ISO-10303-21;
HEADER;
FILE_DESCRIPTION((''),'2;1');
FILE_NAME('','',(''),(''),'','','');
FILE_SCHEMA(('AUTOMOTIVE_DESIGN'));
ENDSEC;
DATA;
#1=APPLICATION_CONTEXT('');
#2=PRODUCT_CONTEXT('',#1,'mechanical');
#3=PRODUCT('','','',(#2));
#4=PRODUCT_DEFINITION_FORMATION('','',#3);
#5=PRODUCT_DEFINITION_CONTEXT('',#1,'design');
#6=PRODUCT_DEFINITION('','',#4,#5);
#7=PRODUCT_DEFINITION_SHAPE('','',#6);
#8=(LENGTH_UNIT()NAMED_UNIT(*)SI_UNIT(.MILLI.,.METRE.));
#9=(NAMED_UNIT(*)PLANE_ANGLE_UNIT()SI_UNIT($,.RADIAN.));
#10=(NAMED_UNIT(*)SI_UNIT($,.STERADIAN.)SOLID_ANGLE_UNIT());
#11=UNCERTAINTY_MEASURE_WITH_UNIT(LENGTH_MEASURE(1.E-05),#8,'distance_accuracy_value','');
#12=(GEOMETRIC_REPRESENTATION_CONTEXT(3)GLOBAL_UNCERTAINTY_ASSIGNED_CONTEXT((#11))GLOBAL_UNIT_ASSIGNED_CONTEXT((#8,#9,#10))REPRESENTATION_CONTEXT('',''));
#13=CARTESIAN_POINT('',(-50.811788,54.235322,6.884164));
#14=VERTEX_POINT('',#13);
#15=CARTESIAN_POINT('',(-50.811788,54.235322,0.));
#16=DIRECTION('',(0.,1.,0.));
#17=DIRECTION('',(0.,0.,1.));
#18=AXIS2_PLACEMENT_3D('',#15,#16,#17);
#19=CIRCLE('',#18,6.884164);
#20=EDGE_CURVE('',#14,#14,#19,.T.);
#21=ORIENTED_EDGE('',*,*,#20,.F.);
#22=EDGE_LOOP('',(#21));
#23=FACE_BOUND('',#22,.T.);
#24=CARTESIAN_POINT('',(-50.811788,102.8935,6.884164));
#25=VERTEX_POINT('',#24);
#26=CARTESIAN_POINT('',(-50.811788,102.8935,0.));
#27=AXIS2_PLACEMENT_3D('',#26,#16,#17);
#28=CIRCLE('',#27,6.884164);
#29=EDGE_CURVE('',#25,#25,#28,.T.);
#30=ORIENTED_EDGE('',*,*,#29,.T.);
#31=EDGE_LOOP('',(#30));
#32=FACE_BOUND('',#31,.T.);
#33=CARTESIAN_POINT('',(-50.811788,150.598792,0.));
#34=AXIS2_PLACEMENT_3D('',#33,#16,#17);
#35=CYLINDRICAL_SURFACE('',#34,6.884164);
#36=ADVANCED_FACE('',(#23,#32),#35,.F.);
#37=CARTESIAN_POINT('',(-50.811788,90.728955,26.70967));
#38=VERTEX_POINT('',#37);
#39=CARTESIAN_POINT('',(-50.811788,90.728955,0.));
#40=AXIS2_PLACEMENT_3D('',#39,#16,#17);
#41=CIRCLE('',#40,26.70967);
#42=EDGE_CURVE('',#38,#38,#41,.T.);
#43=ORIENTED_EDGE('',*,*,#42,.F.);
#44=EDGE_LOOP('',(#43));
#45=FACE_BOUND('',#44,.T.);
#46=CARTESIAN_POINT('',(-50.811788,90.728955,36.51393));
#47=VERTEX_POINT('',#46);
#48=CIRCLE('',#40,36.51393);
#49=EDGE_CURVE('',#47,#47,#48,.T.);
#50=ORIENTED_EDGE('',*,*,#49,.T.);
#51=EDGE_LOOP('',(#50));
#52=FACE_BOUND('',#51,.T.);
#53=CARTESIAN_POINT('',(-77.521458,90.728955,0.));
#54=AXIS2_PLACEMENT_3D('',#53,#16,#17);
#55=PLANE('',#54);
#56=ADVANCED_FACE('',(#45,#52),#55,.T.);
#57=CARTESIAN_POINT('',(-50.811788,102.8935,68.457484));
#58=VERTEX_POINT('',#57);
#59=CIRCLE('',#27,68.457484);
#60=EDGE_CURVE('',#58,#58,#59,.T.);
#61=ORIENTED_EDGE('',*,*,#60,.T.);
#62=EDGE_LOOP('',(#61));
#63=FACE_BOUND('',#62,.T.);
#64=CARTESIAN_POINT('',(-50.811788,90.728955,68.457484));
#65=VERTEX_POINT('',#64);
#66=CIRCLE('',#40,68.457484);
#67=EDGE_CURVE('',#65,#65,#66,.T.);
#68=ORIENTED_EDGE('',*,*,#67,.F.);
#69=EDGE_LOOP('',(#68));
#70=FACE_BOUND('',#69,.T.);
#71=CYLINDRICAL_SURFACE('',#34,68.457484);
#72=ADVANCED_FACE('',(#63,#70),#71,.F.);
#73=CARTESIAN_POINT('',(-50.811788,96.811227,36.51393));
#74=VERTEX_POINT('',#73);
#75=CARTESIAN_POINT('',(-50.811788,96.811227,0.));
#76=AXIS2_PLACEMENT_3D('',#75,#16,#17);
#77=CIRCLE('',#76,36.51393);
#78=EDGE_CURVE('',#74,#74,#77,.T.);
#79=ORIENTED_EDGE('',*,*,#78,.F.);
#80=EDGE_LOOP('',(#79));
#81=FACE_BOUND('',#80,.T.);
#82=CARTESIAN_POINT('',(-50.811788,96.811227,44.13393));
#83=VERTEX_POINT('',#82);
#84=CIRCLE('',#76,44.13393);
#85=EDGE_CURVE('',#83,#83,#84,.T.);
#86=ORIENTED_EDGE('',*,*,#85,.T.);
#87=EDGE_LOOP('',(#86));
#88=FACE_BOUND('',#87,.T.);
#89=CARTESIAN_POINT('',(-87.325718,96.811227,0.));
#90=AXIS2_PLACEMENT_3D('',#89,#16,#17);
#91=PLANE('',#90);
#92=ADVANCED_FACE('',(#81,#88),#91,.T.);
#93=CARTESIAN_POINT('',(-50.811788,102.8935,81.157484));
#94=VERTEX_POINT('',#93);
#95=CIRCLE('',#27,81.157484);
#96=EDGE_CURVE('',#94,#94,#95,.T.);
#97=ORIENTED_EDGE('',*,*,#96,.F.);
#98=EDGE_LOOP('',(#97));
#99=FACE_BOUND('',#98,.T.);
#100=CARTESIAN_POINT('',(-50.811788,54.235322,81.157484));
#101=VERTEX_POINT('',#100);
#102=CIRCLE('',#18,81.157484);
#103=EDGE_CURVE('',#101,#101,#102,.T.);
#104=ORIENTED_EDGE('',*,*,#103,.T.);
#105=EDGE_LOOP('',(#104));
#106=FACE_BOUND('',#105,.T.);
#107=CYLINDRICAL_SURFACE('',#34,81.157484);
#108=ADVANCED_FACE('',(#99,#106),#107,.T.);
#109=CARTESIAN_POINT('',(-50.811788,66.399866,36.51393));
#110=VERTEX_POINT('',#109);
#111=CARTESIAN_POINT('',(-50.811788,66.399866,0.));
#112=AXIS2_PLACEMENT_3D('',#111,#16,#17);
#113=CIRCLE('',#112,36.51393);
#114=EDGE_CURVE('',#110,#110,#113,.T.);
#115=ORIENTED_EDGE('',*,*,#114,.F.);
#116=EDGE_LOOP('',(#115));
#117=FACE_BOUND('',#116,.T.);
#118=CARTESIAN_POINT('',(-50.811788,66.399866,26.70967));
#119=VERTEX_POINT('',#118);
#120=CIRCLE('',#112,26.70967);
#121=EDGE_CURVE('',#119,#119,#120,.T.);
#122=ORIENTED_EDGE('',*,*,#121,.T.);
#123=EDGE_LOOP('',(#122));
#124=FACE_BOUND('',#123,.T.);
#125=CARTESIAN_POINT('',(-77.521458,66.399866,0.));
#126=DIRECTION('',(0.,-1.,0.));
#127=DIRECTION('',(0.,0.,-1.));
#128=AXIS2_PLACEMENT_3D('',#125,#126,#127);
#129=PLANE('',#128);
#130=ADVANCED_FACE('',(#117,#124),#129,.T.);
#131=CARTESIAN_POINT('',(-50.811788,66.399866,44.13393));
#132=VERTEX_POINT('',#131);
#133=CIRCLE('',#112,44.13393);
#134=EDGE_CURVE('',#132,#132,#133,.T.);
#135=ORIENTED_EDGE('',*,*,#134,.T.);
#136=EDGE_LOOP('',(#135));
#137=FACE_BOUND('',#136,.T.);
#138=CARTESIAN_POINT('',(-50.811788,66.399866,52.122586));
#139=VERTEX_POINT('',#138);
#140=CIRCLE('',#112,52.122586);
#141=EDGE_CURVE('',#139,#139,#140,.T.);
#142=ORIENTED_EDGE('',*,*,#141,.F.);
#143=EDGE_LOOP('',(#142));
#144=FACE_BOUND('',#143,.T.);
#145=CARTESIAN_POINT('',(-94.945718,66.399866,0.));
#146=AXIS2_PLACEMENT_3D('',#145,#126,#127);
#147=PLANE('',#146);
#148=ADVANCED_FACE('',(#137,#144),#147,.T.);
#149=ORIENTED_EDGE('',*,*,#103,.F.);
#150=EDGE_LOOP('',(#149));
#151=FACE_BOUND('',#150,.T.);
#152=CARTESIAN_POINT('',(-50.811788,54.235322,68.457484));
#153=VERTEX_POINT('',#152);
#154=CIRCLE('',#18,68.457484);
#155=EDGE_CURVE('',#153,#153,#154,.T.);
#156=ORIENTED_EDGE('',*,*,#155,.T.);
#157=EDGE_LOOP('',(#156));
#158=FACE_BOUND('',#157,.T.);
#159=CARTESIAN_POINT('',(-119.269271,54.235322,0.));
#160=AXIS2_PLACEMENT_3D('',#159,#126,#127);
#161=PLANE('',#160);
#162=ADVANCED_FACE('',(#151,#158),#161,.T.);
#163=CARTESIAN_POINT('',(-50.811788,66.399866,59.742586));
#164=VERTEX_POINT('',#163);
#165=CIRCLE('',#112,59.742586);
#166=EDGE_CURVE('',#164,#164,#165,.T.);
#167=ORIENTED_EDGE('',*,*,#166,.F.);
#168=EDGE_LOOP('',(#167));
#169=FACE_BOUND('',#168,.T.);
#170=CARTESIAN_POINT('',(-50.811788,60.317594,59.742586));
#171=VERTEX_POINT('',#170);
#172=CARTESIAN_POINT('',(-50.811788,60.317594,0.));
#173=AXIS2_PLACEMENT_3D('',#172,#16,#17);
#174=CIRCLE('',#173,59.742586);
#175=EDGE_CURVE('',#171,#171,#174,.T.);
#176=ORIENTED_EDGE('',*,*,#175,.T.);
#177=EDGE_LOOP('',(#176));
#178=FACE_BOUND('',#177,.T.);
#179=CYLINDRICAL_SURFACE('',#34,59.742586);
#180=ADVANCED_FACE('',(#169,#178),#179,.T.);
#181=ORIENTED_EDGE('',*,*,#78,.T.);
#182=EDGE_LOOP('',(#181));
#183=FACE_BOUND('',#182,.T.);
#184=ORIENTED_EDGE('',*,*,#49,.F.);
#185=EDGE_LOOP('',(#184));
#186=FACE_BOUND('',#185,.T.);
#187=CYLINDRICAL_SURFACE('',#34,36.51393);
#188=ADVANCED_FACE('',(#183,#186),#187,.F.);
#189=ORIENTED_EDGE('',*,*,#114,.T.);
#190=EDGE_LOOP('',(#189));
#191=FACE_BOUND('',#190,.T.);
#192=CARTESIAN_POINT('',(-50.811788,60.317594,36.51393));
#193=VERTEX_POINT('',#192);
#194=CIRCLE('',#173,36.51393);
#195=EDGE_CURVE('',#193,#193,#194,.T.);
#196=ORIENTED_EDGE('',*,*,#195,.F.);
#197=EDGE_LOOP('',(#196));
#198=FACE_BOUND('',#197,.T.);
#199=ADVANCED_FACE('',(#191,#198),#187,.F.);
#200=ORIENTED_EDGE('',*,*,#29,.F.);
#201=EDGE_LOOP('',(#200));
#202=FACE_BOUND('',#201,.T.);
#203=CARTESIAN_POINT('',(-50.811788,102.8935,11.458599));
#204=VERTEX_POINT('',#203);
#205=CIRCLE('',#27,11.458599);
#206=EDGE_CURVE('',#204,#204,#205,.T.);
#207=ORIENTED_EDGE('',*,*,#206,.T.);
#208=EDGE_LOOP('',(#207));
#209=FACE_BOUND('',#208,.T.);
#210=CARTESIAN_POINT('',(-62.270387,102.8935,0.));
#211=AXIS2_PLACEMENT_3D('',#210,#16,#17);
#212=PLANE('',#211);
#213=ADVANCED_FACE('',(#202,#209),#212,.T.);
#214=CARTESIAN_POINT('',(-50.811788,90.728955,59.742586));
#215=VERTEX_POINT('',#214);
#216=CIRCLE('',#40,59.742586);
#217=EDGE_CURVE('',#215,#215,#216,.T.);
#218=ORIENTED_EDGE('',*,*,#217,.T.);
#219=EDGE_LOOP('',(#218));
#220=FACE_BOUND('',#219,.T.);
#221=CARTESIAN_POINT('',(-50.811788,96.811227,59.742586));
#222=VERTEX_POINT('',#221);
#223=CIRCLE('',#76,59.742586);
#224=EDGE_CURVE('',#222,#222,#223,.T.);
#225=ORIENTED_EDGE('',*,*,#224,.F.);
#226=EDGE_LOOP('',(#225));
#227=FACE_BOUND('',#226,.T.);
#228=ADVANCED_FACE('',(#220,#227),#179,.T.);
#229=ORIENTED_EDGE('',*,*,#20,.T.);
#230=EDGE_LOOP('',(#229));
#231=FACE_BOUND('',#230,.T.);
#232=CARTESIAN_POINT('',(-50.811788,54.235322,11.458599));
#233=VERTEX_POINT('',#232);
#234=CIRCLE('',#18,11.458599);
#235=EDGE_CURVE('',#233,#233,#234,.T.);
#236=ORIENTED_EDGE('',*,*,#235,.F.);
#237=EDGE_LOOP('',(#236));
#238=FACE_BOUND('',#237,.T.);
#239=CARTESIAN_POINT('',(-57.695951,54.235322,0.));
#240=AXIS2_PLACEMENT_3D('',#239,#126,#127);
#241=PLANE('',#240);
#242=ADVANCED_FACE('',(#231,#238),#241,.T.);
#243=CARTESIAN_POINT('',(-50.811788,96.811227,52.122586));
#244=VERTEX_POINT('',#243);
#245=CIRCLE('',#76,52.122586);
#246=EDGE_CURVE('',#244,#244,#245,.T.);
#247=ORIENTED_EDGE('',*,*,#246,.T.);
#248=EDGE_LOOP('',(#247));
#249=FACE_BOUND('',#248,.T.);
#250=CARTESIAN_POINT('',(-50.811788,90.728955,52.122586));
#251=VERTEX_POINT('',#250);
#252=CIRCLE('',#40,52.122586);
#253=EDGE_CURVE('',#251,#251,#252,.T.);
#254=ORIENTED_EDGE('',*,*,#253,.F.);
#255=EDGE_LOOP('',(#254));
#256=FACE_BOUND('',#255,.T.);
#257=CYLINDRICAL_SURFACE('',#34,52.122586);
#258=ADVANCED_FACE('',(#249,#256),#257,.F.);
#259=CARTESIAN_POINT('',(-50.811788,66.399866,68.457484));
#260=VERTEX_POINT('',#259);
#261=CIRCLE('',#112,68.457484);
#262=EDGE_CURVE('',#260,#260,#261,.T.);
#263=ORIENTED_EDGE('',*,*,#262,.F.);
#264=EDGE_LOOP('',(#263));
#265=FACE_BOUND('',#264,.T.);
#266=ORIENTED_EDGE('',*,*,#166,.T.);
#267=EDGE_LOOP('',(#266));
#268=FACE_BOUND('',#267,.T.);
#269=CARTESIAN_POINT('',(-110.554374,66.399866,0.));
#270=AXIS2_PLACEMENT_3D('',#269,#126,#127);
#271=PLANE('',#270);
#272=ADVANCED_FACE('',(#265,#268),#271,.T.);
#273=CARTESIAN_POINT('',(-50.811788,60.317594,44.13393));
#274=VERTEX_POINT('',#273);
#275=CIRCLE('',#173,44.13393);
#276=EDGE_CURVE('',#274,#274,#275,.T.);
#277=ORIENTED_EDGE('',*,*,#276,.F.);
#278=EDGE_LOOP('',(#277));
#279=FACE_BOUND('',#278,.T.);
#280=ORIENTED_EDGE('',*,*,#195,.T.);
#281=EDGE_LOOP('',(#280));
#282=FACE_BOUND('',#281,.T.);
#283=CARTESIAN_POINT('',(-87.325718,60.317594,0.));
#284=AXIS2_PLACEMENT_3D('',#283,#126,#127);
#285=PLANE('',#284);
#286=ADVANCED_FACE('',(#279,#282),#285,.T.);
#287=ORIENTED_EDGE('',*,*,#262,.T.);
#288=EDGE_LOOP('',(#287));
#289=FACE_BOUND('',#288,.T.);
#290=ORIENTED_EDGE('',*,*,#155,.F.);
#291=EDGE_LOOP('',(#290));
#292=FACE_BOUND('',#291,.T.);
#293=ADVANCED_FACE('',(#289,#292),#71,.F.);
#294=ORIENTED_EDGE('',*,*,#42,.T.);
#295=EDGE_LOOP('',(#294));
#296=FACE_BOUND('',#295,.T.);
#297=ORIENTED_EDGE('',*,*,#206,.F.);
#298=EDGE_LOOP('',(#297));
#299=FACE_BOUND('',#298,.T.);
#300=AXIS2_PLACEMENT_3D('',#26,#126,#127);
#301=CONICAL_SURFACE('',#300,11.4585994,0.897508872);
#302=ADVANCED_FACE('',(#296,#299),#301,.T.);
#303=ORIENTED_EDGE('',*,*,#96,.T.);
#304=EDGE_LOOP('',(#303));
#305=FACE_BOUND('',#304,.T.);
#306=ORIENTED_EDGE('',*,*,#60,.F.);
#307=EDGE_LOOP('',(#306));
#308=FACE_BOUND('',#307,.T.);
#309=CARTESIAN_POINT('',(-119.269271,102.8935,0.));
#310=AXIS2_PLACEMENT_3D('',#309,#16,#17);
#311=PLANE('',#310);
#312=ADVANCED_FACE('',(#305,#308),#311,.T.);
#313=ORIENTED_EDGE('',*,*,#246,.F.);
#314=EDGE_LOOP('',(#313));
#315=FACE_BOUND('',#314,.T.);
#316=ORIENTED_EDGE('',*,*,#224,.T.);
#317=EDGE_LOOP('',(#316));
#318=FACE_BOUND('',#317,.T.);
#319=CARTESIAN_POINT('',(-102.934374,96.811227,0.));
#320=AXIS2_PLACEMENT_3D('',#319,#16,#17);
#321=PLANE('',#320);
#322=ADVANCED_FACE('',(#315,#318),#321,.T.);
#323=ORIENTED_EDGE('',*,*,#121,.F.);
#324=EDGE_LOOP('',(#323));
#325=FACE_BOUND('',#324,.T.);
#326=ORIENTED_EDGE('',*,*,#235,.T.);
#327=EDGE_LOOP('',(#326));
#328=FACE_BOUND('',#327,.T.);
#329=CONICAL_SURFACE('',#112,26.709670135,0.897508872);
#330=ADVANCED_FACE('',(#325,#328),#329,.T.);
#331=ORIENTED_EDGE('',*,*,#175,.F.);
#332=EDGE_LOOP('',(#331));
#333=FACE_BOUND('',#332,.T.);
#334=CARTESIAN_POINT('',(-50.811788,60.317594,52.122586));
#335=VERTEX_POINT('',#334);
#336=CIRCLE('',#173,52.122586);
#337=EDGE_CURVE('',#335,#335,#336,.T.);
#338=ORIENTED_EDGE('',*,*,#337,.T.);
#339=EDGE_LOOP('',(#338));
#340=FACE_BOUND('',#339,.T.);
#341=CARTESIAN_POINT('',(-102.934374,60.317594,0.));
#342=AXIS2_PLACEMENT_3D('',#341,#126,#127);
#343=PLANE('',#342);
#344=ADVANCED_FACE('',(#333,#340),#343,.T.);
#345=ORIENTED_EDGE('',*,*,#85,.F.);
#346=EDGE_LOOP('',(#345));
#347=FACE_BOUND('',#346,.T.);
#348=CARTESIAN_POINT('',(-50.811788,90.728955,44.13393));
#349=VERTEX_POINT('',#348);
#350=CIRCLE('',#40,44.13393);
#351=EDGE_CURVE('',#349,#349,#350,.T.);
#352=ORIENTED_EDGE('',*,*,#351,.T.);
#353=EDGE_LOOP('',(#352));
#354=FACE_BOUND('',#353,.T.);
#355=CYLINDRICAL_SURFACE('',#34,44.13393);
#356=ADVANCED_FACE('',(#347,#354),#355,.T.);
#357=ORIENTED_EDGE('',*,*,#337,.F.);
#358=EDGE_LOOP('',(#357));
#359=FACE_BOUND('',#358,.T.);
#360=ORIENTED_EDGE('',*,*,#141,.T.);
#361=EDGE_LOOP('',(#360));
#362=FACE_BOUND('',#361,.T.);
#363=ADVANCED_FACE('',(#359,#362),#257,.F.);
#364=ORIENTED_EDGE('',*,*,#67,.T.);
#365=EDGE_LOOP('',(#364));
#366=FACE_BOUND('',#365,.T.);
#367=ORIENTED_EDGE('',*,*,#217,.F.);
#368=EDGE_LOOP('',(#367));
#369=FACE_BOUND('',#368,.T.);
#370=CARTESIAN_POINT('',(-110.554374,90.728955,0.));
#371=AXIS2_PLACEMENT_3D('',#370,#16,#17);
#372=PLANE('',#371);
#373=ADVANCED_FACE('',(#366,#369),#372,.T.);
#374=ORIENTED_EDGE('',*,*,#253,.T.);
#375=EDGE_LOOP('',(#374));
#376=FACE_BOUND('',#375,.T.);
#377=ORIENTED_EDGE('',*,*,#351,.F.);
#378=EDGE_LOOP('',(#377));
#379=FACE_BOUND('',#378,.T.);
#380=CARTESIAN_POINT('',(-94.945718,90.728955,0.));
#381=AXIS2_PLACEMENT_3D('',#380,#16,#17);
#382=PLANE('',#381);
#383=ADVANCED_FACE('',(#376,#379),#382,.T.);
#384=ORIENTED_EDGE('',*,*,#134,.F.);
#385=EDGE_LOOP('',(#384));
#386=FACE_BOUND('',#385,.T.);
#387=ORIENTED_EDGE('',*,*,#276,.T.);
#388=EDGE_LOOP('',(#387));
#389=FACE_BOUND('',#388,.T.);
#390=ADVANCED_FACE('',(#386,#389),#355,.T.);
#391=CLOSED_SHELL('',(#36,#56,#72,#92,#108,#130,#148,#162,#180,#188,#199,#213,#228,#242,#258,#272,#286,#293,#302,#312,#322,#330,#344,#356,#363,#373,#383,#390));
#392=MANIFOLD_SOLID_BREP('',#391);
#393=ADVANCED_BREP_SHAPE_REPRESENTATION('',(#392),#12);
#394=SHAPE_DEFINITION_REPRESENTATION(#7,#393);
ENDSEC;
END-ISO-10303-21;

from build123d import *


with BuildPart() as part:
    # Sketch8 → Revolve3 (revolve)
    with BuildSketch(Plane.XY):
        Polygon((-62.270387008, 102.89349959), (-77.521457744, 90.728955074), (-87.325717502, 90.728955074), (-87.325717502, 96.811227332), (-94.945717502, 96.811227332), (-94.945717502, 90.728955074), (-102.934373602, 90.728955074), (-102.934373602, 96.811227332), (-110.554373602, 96.811227332), (-110.554373602, 90.728955074), (-119.269271165, 90.728955074), (-119.269271165, 102.89349959), (-131.969271165, 102.89349959), (-131.969271165, 54.235321529), (-119.269271165, 54.235321529), (-119.269271165, 66.399866044), (-110.554373602, 66.399866044), (-110.554373602, 60.317593787), (-102.934373602, 60.317593787), (-102.934373602, 66.399866044), (-94.945717502, 66.399866044), (-94.945717502, 60.317593787), (-87.325717502, 60.317593787), (-87.325717502, 66.399866044), (-77.521457744, 66.399866044), (-62.270387008, 54.235321529), (-57.695951482, 54.235321529), (-57.695951482, 102.89349959), align=None)
    revolve(axis=Axis((-50.811787608, 150.598792189, 0), (0, -1, 0)))


solid = part.part
